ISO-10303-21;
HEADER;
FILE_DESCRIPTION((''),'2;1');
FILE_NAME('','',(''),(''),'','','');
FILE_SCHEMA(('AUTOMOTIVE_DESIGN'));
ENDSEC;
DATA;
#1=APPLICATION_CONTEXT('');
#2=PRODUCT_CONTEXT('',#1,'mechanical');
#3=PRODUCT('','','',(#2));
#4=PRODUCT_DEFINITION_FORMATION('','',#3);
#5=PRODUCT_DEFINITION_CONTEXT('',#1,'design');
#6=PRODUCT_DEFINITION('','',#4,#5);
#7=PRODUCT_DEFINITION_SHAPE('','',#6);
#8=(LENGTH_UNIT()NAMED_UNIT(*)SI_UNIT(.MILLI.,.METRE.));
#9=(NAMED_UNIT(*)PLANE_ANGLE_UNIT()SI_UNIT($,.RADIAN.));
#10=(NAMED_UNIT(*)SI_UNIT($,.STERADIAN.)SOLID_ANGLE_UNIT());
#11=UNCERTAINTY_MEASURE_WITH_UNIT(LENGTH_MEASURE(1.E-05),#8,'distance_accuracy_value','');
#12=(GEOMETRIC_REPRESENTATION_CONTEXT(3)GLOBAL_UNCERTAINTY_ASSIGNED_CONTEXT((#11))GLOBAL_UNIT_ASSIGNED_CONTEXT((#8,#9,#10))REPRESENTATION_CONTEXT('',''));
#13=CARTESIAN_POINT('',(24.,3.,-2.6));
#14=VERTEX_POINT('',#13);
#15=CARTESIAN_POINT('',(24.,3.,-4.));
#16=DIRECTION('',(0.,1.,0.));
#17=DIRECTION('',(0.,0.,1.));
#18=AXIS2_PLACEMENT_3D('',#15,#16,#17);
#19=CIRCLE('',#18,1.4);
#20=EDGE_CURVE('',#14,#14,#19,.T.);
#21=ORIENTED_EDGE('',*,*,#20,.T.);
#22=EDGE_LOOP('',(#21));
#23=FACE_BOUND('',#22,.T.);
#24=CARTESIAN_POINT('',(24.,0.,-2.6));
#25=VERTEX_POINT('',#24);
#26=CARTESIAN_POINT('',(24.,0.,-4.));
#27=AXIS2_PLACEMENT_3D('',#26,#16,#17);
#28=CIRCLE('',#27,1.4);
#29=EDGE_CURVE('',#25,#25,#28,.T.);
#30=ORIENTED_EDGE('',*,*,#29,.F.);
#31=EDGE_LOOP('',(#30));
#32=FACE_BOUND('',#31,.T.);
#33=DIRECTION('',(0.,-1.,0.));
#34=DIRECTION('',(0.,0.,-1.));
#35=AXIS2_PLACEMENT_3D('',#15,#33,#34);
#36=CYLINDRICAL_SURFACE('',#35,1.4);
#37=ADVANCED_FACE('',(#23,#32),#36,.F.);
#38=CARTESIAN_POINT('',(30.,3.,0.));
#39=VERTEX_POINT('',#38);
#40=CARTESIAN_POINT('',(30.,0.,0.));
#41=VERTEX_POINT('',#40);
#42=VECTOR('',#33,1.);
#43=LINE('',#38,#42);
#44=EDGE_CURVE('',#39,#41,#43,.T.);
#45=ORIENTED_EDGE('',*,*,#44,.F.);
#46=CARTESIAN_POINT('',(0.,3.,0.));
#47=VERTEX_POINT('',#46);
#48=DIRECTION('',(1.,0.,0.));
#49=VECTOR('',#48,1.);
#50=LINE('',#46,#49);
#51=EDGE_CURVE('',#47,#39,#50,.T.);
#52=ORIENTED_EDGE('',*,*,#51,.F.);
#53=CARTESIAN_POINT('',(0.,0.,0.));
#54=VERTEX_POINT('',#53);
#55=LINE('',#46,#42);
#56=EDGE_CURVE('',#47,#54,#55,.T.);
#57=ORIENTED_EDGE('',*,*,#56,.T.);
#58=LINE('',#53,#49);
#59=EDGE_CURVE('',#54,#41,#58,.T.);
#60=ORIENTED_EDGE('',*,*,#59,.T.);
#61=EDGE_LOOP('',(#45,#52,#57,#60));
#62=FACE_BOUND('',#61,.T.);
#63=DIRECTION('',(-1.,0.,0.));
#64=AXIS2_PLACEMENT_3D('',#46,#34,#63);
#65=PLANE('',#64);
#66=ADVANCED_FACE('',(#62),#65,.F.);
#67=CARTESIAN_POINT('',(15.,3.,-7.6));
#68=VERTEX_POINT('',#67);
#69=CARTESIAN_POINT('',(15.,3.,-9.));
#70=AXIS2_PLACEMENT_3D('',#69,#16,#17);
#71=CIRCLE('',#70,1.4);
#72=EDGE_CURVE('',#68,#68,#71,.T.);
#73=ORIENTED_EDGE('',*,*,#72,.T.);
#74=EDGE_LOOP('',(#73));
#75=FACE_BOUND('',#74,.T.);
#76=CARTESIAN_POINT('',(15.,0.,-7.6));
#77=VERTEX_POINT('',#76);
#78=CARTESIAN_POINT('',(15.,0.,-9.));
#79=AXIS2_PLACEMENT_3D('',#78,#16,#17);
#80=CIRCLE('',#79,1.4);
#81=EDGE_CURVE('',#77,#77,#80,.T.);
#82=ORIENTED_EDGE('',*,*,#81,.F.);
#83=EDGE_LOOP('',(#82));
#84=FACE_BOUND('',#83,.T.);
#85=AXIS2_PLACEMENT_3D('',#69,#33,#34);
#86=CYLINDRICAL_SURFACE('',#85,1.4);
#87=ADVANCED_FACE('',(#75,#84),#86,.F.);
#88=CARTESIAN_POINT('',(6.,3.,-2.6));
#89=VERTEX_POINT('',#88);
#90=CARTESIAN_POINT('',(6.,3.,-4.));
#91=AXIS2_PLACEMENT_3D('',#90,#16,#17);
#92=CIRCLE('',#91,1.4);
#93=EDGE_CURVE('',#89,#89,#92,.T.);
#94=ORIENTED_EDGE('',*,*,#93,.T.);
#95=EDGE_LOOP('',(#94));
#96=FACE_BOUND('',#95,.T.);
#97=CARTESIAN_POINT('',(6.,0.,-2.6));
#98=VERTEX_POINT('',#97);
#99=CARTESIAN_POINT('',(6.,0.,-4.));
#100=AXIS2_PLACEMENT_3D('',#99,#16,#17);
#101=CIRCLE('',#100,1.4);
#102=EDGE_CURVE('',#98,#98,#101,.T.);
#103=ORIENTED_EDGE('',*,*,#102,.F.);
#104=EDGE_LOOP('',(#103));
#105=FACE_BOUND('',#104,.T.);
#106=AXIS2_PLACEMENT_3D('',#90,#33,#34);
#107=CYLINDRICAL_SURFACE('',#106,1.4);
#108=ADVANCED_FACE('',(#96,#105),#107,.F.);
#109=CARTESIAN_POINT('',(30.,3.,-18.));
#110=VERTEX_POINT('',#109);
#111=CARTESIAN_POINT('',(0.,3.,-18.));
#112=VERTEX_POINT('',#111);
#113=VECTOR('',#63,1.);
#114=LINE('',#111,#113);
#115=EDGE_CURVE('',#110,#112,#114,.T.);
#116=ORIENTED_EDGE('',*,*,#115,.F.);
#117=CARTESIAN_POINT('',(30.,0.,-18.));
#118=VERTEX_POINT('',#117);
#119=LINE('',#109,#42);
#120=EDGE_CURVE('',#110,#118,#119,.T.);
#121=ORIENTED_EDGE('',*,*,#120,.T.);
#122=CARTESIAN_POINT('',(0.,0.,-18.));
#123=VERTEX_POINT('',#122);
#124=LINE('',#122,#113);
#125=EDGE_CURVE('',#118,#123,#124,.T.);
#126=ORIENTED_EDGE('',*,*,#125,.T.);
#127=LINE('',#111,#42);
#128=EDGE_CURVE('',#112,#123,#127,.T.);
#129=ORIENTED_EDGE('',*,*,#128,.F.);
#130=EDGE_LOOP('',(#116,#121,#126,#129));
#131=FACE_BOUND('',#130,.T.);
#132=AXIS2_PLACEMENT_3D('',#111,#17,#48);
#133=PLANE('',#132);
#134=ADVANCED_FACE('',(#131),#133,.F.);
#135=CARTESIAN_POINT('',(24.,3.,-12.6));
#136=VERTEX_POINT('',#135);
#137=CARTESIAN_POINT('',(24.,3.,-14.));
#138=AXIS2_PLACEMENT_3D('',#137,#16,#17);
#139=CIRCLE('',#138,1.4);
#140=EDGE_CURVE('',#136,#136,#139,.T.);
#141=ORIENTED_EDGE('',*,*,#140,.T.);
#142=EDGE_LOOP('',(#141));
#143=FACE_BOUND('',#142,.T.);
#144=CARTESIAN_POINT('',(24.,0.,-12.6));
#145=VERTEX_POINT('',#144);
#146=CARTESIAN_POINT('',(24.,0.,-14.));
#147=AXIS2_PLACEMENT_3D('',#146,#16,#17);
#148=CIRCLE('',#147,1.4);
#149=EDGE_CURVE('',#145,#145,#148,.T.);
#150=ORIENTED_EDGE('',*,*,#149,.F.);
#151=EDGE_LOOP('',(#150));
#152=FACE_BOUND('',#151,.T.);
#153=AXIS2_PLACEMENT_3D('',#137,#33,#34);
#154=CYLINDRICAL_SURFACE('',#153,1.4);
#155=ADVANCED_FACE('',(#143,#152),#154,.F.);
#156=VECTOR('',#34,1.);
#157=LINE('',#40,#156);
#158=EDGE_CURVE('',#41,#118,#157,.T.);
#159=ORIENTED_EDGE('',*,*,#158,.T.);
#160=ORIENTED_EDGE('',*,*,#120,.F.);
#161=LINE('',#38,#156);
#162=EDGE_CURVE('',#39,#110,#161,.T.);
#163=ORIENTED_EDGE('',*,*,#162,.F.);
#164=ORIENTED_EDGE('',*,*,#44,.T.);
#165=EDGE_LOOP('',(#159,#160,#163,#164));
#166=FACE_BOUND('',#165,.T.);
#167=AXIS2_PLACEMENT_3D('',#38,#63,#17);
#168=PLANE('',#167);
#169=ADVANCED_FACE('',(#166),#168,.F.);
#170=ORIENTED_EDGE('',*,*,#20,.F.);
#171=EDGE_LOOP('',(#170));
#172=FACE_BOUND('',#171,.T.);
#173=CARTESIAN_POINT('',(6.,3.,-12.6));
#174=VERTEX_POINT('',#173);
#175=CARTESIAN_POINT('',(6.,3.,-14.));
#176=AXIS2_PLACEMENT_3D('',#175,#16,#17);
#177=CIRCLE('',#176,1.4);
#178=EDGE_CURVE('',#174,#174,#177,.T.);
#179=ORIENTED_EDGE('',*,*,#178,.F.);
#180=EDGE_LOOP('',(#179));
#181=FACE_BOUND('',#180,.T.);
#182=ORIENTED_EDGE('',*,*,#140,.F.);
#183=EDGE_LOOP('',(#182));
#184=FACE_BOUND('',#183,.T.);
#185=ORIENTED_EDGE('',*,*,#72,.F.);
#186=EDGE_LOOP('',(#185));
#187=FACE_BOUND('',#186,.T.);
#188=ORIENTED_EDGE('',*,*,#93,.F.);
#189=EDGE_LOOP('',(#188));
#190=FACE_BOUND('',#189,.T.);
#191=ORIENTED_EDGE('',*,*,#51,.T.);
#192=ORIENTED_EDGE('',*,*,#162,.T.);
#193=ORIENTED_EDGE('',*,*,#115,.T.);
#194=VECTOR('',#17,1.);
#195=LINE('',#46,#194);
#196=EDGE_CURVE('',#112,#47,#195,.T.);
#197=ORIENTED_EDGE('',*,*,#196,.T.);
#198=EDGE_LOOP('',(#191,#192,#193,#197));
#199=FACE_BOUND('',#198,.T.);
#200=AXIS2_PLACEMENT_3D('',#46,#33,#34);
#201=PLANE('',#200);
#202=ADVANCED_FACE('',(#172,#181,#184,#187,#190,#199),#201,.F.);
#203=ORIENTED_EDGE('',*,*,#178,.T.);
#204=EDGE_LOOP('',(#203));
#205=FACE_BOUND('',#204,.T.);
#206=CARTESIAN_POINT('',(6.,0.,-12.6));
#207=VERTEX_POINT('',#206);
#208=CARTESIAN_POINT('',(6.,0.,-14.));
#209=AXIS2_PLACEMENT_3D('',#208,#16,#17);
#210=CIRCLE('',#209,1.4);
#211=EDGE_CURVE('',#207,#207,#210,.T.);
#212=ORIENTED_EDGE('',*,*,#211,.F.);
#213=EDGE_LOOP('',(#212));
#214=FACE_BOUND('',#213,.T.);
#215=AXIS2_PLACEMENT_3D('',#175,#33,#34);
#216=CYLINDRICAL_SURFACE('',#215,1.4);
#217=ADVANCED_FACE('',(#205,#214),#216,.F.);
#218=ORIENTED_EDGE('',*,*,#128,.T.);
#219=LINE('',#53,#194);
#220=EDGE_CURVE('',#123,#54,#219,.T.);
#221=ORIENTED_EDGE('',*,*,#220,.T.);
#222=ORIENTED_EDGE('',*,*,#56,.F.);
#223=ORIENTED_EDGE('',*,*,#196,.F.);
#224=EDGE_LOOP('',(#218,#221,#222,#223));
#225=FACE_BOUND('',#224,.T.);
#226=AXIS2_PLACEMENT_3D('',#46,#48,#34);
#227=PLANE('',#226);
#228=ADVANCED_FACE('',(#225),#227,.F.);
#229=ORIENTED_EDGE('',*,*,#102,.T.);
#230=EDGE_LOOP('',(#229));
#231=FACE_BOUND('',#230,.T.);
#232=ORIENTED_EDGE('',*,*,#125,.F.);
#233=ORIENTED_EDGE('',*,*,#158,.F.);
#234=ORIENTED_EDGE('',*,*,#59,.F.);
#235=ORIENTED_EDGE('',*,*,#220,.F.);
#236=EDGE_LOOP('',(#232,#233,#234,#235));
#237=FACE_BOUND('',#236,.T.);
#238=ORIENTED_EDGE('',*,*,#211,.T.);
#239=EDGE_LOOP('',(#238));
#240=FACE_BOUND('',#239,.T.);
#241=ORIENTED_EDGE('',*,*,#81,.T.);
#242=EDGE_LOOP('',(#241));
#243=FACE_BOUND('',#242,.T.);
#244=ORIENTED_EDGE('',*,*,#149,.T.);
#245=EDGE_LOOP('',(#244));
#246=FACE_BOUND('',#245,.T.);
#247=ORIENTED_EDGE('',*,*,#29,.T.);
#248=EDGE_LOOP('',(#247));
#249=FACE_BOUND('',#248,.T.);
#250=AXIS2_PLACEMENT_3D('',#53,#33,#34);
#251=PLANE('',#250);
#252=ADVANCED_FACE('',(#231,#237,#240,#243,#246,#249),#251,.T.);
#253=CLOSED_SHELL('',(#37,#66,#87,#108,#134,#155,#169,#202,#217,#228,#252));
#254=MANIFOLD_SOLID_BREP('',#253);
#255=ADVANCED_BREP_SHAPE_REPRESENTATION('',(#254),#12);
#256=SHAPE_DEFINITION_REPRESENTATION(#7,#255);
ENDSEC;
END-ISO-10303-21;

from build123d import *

# Parameters (mm, degrees)
SKETCH1_W           = 30
SKETCH1_H           = 18
SKETCH1_R           = 1.4
BOSS_EXTRUDE1_DEPTH = 3


with BuildPart() as part:
    # Sketch1 → Boss-Extrude1 (new body)
    with BuildSketch(Plane(origin=(0, 0, 0), x_dir=(1, 0, 0), z_dir=(0, 1, 0))):
        with Locations((15, 9)):
            Rectangle(SKETCH1_W, SKETCH1_H)
        with Locations((6, 4)):
            Circle(SKETCH1_R, mode=Mode.SUBTRACT)
        with Locations((24, 4)):
            Circle(SKETCH1_R, mode=Mode.SUBTRACT)
        with Locations((24, 14)):
            Circle(SKETCH1_R, mode=Mode.SUBTRACT)
        with Locations((6, 14)):
            Circle(SKETCH1_R, mode=Mode.SUBTRACT)
        with Locations((15, 9)):
            Circle(SKETCH1_R, mode=Mode.SUBTRACT)
    extrude(amount=BOSS_EXTRUDE1_DEPTH)


solid = part.part
